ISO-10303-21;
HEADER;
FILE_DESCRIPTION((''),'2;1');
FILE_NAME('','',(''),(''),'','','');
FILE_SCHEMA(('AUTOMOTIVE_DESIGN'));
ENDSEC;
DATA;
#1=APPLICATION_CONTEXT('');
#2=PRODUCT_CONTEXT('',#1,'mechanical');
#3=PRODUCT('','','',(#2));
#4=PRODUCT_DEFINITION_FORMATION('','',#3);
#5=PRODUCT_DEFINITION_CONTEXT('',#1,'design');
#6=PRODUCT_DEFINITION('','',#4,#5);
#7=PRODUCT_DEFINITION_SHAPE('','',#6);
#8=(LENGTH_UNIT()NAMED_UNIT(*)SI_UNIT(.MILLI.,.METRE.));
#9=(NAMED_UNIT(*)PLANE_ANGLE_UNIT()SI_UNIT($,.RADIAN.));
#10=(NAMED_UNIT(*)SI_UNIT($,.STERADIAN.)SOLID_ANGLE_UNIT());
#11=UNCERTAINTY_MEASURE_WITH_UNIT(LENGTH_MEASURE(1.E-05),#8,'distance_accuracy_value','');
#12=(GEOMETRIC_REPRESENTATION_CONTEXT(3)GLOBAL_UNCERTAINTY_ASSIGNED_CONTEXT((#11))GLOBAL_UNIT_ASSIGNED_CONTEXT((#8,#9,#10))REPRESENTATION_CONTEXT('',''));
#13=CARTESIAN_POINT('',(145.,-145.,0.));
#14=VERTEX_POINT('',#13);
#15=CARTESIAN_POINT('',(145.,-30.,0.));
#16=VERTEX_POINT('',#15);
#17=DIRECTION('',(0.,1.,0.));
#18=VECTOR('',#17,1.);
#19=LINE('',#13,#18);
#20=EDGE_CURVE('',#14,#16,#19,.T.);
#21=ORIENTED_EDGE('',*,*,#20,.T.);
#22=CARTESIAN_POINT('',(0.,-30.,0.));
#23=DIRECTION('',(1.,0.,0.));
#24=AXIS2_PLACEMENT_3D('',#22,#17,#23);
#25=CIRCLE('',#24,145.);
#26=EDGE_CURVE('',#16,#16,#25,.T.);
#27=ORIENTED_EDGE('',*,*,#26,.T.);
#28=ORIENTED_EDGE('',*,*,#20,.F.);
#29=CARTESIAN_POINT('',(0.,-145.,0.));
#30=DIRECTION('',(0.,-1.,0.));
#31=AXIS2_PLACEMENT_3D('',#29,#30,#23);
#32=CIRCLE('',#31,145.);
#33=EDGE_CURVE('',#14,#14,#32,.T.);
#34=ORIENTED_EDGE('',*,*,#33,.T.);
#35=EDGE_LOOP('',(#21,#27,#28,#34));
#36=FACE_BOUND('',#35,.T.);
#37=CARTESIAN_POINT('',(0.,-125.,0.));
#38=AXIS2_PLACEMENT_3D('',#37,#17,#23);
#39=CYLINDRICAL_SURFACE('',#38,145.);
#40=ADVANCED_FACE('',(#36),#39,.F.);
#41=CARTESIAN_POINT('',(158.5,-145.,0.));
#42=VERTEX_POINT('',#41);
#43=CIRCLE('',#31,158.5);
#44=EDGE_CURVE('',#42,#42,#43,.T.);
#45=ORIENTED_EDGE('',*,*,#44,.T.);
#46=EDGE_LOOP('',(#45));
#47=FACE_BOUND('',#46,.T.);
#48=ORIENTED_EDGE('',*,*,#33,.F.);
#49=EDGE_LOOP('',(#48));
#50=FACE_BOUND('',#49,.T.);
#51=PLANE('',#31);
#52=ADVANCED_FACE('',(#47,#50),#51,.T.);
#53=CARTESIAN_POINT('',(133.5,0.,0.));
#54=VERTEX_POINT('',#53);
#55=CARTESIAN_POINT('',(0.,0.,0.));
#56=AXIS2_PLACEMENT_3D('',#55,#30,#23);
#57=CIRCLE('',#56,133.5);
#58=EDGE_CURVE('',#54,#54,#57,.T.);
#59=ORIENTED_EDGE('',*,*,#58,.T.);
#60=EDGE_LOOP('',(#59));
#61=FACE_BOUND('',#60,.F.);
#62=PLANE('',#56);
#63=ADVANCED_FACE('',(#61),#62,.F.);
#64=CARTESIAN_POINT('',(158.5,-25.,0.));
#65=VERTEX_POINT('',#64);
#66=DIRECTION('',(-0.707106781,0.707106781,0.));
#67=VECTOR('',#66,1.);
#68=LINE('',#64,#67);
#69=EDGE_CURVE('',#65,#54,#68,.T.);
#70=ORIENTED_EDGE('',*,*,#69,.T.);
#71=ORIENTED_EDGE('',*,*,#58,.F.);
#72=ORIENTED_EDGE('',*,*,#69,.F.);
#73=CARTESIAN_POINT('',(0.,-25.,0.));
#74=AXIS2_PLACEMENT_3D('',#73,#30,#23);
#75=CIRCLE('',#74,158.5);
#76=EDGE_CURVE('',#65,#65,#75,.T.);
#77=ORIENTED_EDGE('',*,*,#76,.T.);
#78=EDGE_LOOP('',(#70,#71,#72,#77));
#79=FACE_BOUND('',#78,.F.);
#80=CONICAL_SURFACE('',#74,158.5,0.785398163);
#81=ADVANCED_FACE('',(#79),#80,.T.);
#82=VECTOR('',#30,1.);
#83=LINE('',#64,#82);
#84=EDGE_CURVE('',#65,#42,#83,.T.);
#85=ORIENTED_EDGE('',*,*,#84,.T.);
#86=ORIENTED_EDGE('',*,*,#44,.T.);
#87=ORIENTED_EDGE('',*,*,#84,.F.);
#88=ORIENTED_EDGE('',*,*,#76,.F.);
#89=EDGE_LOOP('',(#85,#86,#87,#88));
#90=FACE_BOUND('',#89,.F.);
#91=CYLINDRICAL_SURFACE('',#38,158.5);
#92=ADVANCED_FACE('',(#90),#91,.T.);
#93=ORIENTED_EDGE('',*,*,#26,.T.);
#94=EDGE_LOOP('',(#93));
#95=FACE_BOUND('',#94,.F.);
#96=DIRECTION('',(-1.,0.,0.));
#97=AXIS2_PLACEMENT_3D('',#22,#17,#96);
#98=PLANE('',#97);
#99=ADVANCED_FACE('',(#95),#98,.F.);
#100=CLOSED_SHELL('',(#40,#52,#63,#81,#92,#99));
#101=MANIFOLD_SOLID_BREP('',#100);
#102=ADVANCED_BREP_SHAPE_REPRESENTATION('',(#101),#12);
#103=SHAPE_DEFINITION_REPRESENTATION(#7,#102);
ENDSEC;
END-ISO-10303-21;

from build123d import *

# Parameters (mm, degrees)
F0_R     = 158.5
F0_R_2   = 145
F1_DEPTH = 125
F2_R     = 158.5
F3_DEPTH = 30
F4_SIZE  = 25
F5_DEPTH = 20


with BuildPart() as f1:
    # F0 (on Front) → F1 (new body)
    with BuildSketch(Plane.XZ):
        Circle(F0_R)
        Circle(F0_R_2, mode=Mode.SUBTRACT)
    extrude(amount=F1_DEPTH)

    # F2 (on face) → F3 (join)
    with BuildSketch(Plane(origin=(0, 0, 0), x_dir=(-1, 0, 0), z_dir=(0, 1, 0))):
        Circle(F2_R)
    extrude(amount=-F3_DEPTH)

    # F4
    f4_edges = [f1.edges().sort_by_distance(p)[0] for p in [
        (-158.5, 0, 0),
    ]]
    chamfer(f4_edges, length=F4_SIZE)

    # F5 (add): a face of the model
    f5_faces = [f1.faces().sort_by_distance(p)[0] for p in [
        (-154.0169430073, -125, 0),
    ]]
    extrude(f5_faces, amount=F5_DEPTH)


solid = f1.part
